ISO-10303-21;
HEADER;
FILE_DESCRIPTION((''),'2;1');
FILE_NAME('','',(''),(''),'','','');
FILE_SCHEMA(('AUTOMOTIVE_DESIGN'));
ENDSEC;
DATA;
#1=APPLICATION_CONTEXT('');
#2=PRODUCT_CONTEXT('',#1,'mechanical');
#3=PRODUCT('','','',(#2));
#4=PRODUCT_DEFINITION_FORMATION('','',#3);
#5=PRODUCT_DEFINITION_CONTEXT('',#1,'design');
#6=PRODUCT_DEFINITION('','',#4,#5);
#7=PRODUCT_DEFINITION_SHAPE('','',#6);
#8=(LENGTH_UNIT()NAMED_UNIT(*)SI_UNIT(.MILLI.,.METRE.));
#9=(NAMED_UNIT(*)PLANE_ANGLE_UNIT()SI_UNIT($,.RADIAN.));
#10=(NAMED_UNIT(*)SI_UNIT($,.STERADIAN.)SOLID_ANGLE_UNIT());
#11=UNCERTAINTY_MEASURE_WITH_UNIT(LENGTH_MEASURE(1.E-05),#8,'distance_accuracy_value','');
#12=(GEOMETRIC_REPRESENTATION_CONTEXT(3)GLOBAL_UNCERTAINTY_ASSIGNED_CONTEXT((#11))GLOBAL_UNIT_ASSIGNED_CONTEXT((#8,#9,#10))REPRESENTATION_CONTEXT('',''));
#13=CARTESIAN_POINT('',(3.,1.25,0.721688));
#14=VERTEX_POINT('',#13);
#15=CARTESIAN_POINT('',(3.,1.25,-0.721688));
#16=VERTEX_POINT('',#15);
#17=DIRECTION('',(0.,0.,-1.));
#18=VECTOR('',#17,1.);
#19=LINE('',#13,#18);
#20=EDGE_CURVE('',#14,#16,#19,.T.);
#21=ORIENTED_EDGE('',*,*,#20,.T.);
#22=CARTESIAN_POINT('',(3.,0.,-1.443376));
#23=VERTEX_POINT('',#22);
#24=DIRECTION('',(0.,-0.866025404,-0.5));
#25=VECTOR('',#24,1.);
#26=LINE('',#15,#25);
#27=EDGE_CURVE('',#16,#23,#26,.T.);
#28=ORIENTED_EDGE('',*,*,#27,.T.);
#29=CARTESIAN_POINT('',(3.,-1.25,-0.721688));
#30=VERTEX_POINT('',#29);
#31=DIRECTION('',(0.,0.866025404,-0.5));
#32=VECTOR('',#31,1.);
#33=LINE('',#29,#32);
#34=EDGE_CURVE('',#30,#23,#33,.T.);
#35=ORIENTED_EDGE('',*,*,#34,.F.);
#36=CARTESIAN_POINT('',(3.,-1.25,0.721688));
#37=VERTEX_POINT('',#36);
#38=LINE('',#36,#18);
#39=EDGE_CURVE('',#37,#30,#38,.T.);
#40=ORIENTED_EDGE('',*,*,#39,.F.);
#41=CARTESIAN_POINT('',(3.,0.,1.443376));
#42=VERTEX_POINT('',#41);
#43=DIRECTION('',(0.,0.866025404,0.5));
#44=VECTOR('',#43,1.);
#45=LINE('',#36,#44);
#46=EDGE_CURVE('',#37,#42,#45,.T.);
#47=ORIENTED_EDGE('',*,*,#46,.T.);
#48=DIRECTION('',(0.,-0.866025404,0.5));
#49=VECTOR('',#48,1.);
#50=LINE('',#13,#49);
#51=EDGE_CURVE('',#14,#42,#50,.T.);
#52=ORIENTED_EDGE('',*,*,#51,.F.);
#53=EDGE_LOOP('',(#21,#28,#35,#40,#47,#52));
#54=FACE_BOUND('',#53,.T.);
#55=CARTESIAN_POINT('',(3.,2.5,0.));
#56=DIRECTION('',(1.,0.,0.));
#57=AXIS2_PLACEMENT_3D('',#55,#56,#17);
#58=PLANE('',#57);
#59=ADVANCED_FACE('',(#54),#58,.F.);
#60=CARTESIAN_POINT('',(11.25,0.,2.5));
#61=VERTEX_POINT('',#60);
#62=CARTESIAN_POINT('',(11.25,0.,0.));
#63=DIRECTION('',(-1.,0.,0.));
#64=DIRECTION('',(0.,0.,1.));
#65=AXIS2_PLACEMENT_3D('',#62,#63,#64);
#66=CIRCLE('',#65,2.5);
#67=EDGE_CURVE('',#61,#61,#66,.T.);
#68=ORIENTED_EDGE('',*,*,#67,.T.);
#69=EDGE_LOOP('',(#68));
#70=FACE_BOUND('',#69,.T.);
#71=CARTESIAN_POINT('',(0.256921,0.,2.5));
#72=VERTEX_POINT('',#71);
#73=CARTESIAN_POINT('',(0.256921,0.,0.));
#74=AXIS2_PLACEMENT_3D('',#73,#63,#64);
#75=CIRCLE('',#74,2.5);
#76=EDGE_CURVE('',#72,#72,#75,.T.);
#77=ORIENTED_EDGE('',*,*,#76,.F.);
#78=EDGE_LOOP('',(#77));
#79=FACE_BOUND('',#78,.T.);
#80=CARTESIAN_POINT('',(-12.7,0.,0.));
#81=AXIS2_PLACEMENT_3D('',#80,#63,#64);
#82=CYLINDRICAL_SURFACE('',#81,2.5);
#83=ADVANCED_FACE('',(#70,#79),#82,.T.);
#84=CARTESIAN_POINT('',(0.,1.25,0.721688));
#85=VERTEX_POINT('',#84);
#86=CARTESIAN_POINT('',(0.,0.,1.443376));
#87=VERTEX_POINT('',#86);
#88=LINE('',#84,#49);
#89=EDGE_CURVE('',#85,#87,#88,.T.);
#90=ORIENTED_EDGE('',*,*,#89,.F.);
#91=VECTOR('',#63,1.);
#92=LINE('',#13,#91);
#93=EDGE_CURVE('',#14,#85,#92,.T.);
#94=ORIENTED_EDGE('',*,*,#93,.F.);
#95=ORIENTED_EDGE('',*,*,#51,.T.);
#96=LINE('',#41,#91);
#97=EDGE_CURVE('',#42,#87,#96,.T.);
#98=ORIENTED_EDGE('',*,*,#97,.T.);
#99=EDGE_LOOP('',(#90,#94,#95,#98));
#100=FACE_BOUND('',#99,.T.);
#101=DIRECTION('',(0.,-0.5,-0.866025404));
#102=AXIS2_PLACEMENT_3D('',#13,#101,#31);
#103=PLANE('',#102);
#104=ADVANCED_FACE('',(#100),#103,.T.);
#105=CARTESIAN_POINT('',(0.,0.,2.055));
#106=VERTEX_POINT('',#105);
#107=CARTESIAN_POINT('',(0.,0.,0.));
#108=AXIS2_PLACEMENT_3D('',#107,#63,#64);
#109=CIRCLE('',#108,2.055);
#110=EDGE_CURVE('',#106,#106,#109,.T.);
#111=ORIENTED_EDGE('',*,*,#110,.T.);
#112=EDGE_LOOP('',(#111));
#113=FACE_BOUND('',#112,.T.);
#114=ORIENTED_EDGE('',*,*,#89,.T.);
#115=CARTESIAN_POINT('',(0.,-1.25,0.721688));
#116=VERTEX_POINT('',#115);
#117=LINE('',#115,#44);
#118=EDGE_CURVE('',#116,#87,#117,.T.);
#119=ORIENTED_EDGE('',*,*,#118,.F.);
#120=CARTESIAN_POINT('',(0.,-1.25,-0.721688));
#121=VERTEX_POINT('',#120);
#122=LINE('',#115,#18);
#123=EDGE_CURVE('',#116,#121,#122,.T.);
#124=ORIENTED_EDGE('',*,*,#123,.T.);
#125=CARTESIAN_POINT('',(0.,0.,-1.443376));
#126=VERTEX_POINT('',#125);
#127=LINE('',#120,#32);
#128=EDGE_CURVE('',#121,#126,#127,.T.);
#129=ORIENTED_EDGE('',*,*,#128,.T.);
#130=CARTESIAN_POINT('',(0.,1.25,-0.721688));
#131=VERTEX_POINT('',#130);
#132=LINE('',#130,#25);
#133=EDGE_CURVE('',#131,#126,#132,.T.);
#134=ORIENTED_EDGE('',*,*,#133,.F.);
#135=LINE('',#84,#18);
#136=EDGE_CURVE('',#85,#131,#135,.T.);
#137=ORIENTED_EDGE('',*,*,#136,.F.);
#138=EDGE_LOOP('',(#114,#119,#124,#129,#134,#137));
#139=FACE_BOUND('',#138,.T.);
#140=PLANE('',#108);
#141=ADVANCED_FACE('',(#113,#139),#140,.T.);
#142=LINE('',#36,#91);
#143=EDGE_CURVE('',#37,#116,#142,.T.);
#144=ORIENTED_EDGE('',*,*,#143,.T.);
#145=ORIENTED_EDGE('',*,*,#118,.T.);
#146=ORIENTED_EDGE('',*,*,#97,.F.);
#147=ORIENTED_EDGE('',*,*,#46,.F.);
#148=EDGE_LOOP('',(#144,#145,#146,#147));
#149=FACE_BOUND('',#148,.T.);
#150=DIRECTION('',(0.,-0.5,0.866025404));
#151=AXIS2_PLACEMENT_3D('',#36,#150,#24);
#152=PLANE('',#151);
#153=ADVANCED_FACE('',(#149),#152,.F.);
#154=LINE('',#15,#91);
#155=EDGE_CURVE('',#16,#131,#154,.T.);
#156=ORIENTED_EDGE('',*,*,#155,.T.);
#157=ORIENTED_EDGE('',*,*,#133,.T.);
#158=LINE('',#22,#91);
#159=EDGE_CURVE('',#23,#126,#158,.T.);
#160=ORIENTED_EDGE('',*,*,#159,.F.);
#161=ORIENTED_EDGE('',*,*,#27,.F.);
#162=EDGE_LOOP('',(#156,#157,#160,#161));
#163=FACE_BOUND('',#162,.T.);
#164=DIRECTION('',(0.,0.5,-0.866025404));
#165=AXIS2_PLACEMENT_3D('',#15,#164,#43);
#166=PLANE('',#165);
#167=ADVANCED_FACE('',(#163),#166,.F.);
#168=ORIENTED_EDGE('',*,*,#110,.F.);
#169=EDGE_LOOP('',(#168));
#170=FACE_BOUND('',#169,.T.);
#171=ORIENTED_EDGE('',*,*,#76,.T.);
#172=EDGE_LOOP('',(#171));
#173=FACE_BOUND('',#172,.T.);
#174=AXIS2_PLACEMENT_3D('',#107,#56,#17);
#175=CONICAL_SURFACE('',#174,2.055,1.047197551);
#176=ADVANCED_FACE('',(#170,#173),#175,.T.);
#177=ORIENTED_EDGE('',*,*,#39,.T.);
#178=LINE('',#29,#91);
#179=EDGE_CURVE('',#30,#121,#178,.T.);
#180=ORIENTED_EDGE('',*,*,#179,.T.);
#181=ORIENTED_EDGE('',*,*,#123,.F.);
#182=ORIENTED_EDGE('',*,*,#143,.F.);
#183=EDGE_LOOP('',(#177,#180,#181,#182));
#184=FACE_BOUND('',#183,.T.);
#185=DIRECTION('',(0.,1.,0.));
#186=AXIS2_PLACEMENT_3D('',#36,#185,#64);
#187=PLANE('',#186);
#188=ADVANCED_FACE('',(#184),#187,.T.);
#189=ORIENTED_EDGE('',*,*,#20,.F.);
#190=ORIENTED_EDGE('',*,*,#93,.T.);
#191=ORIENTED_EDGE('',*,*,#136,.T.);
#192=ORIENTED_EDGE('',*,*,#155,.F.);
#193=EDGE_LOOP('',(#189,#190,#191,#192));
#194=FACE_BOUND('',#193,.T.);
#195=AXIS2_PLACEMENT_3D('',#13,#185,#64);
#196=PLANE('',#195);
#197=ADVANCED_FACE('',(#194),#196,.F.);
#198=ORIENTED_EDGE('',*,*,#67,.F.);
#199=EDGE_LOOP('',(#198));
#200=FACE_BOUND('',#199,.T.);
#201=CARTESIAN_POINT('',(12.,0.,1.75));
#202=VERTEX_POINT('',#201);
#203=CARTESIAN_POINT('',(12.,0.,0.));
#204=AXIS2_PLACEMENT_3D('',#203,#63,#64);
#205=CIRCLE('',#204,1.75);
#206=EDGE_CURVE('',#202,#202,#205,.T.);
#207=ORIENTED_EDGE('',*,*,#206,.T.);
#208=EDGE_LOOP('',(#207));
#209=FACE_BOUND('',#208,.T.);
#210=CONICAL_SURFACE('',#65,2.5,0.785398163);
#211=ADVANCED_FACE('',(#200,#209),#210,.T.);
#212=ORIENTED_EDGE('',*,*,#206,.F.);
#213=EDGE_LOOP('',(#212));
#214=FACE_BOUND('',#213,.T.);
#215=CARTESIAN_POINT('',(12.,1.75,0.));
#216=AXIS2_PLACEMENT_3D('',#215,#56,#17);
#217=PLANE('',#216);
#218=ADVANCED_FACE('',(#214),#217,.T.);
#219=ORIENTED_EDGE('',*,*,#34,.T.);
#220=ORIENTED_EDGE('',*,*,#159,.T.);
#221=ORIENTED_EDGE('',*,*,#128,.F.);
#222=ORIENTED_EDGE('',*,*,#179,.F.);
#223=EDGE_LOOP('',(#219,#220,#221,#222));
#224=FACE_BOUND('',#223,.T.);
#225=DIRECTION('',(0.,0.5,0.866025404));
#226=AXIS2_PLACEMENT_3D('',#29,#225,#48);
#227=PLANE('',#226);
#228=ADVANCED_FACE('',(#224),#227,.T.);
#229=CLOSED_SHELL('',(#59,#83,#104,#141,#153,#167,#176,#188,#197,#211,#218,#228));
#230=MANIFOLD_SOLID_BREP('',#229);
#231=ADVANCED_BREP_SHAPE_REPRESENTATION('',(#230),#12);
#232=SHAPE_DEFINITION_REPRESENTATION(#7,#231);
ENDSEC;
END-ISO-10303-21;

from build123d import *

# Parameters (mm, degrees)
HEX_2_DEPTH = 3


with BuildPart() as part:
    # BodySke → BaseBody (revolve)
    with BuildSketch(Plane.XY, mode=Mode.PRIVATE) as basebody_sk:
        Polygon((0, 0), (0, 2.055), (0.25692087, 2.5), (11.25, 2.5), (12, 1.75), (12, 0), align=None)
    revolve(basebody_sk.sketch.rotate(Axis((-12.7, 0, 0), (1, 0, 0)), 90), axis=Axis((-12.7, 0, 0), (1, 0, 0)))

    # Sketch2 → Hex 2 (cut)
    with BuildSketch(Plane.ZY):
        Polygon((0.721687836, 1.25), (-0.721687836, 1.25), (-1.443375673, 0), (-0.721687836, -1.25), (0.721687836, -1.25), (1.443375673, 0), align=None)
    extrude(amount=-HEX_2_DEPTH, mode=Mode.SUBTRACT)


solid = part.part
